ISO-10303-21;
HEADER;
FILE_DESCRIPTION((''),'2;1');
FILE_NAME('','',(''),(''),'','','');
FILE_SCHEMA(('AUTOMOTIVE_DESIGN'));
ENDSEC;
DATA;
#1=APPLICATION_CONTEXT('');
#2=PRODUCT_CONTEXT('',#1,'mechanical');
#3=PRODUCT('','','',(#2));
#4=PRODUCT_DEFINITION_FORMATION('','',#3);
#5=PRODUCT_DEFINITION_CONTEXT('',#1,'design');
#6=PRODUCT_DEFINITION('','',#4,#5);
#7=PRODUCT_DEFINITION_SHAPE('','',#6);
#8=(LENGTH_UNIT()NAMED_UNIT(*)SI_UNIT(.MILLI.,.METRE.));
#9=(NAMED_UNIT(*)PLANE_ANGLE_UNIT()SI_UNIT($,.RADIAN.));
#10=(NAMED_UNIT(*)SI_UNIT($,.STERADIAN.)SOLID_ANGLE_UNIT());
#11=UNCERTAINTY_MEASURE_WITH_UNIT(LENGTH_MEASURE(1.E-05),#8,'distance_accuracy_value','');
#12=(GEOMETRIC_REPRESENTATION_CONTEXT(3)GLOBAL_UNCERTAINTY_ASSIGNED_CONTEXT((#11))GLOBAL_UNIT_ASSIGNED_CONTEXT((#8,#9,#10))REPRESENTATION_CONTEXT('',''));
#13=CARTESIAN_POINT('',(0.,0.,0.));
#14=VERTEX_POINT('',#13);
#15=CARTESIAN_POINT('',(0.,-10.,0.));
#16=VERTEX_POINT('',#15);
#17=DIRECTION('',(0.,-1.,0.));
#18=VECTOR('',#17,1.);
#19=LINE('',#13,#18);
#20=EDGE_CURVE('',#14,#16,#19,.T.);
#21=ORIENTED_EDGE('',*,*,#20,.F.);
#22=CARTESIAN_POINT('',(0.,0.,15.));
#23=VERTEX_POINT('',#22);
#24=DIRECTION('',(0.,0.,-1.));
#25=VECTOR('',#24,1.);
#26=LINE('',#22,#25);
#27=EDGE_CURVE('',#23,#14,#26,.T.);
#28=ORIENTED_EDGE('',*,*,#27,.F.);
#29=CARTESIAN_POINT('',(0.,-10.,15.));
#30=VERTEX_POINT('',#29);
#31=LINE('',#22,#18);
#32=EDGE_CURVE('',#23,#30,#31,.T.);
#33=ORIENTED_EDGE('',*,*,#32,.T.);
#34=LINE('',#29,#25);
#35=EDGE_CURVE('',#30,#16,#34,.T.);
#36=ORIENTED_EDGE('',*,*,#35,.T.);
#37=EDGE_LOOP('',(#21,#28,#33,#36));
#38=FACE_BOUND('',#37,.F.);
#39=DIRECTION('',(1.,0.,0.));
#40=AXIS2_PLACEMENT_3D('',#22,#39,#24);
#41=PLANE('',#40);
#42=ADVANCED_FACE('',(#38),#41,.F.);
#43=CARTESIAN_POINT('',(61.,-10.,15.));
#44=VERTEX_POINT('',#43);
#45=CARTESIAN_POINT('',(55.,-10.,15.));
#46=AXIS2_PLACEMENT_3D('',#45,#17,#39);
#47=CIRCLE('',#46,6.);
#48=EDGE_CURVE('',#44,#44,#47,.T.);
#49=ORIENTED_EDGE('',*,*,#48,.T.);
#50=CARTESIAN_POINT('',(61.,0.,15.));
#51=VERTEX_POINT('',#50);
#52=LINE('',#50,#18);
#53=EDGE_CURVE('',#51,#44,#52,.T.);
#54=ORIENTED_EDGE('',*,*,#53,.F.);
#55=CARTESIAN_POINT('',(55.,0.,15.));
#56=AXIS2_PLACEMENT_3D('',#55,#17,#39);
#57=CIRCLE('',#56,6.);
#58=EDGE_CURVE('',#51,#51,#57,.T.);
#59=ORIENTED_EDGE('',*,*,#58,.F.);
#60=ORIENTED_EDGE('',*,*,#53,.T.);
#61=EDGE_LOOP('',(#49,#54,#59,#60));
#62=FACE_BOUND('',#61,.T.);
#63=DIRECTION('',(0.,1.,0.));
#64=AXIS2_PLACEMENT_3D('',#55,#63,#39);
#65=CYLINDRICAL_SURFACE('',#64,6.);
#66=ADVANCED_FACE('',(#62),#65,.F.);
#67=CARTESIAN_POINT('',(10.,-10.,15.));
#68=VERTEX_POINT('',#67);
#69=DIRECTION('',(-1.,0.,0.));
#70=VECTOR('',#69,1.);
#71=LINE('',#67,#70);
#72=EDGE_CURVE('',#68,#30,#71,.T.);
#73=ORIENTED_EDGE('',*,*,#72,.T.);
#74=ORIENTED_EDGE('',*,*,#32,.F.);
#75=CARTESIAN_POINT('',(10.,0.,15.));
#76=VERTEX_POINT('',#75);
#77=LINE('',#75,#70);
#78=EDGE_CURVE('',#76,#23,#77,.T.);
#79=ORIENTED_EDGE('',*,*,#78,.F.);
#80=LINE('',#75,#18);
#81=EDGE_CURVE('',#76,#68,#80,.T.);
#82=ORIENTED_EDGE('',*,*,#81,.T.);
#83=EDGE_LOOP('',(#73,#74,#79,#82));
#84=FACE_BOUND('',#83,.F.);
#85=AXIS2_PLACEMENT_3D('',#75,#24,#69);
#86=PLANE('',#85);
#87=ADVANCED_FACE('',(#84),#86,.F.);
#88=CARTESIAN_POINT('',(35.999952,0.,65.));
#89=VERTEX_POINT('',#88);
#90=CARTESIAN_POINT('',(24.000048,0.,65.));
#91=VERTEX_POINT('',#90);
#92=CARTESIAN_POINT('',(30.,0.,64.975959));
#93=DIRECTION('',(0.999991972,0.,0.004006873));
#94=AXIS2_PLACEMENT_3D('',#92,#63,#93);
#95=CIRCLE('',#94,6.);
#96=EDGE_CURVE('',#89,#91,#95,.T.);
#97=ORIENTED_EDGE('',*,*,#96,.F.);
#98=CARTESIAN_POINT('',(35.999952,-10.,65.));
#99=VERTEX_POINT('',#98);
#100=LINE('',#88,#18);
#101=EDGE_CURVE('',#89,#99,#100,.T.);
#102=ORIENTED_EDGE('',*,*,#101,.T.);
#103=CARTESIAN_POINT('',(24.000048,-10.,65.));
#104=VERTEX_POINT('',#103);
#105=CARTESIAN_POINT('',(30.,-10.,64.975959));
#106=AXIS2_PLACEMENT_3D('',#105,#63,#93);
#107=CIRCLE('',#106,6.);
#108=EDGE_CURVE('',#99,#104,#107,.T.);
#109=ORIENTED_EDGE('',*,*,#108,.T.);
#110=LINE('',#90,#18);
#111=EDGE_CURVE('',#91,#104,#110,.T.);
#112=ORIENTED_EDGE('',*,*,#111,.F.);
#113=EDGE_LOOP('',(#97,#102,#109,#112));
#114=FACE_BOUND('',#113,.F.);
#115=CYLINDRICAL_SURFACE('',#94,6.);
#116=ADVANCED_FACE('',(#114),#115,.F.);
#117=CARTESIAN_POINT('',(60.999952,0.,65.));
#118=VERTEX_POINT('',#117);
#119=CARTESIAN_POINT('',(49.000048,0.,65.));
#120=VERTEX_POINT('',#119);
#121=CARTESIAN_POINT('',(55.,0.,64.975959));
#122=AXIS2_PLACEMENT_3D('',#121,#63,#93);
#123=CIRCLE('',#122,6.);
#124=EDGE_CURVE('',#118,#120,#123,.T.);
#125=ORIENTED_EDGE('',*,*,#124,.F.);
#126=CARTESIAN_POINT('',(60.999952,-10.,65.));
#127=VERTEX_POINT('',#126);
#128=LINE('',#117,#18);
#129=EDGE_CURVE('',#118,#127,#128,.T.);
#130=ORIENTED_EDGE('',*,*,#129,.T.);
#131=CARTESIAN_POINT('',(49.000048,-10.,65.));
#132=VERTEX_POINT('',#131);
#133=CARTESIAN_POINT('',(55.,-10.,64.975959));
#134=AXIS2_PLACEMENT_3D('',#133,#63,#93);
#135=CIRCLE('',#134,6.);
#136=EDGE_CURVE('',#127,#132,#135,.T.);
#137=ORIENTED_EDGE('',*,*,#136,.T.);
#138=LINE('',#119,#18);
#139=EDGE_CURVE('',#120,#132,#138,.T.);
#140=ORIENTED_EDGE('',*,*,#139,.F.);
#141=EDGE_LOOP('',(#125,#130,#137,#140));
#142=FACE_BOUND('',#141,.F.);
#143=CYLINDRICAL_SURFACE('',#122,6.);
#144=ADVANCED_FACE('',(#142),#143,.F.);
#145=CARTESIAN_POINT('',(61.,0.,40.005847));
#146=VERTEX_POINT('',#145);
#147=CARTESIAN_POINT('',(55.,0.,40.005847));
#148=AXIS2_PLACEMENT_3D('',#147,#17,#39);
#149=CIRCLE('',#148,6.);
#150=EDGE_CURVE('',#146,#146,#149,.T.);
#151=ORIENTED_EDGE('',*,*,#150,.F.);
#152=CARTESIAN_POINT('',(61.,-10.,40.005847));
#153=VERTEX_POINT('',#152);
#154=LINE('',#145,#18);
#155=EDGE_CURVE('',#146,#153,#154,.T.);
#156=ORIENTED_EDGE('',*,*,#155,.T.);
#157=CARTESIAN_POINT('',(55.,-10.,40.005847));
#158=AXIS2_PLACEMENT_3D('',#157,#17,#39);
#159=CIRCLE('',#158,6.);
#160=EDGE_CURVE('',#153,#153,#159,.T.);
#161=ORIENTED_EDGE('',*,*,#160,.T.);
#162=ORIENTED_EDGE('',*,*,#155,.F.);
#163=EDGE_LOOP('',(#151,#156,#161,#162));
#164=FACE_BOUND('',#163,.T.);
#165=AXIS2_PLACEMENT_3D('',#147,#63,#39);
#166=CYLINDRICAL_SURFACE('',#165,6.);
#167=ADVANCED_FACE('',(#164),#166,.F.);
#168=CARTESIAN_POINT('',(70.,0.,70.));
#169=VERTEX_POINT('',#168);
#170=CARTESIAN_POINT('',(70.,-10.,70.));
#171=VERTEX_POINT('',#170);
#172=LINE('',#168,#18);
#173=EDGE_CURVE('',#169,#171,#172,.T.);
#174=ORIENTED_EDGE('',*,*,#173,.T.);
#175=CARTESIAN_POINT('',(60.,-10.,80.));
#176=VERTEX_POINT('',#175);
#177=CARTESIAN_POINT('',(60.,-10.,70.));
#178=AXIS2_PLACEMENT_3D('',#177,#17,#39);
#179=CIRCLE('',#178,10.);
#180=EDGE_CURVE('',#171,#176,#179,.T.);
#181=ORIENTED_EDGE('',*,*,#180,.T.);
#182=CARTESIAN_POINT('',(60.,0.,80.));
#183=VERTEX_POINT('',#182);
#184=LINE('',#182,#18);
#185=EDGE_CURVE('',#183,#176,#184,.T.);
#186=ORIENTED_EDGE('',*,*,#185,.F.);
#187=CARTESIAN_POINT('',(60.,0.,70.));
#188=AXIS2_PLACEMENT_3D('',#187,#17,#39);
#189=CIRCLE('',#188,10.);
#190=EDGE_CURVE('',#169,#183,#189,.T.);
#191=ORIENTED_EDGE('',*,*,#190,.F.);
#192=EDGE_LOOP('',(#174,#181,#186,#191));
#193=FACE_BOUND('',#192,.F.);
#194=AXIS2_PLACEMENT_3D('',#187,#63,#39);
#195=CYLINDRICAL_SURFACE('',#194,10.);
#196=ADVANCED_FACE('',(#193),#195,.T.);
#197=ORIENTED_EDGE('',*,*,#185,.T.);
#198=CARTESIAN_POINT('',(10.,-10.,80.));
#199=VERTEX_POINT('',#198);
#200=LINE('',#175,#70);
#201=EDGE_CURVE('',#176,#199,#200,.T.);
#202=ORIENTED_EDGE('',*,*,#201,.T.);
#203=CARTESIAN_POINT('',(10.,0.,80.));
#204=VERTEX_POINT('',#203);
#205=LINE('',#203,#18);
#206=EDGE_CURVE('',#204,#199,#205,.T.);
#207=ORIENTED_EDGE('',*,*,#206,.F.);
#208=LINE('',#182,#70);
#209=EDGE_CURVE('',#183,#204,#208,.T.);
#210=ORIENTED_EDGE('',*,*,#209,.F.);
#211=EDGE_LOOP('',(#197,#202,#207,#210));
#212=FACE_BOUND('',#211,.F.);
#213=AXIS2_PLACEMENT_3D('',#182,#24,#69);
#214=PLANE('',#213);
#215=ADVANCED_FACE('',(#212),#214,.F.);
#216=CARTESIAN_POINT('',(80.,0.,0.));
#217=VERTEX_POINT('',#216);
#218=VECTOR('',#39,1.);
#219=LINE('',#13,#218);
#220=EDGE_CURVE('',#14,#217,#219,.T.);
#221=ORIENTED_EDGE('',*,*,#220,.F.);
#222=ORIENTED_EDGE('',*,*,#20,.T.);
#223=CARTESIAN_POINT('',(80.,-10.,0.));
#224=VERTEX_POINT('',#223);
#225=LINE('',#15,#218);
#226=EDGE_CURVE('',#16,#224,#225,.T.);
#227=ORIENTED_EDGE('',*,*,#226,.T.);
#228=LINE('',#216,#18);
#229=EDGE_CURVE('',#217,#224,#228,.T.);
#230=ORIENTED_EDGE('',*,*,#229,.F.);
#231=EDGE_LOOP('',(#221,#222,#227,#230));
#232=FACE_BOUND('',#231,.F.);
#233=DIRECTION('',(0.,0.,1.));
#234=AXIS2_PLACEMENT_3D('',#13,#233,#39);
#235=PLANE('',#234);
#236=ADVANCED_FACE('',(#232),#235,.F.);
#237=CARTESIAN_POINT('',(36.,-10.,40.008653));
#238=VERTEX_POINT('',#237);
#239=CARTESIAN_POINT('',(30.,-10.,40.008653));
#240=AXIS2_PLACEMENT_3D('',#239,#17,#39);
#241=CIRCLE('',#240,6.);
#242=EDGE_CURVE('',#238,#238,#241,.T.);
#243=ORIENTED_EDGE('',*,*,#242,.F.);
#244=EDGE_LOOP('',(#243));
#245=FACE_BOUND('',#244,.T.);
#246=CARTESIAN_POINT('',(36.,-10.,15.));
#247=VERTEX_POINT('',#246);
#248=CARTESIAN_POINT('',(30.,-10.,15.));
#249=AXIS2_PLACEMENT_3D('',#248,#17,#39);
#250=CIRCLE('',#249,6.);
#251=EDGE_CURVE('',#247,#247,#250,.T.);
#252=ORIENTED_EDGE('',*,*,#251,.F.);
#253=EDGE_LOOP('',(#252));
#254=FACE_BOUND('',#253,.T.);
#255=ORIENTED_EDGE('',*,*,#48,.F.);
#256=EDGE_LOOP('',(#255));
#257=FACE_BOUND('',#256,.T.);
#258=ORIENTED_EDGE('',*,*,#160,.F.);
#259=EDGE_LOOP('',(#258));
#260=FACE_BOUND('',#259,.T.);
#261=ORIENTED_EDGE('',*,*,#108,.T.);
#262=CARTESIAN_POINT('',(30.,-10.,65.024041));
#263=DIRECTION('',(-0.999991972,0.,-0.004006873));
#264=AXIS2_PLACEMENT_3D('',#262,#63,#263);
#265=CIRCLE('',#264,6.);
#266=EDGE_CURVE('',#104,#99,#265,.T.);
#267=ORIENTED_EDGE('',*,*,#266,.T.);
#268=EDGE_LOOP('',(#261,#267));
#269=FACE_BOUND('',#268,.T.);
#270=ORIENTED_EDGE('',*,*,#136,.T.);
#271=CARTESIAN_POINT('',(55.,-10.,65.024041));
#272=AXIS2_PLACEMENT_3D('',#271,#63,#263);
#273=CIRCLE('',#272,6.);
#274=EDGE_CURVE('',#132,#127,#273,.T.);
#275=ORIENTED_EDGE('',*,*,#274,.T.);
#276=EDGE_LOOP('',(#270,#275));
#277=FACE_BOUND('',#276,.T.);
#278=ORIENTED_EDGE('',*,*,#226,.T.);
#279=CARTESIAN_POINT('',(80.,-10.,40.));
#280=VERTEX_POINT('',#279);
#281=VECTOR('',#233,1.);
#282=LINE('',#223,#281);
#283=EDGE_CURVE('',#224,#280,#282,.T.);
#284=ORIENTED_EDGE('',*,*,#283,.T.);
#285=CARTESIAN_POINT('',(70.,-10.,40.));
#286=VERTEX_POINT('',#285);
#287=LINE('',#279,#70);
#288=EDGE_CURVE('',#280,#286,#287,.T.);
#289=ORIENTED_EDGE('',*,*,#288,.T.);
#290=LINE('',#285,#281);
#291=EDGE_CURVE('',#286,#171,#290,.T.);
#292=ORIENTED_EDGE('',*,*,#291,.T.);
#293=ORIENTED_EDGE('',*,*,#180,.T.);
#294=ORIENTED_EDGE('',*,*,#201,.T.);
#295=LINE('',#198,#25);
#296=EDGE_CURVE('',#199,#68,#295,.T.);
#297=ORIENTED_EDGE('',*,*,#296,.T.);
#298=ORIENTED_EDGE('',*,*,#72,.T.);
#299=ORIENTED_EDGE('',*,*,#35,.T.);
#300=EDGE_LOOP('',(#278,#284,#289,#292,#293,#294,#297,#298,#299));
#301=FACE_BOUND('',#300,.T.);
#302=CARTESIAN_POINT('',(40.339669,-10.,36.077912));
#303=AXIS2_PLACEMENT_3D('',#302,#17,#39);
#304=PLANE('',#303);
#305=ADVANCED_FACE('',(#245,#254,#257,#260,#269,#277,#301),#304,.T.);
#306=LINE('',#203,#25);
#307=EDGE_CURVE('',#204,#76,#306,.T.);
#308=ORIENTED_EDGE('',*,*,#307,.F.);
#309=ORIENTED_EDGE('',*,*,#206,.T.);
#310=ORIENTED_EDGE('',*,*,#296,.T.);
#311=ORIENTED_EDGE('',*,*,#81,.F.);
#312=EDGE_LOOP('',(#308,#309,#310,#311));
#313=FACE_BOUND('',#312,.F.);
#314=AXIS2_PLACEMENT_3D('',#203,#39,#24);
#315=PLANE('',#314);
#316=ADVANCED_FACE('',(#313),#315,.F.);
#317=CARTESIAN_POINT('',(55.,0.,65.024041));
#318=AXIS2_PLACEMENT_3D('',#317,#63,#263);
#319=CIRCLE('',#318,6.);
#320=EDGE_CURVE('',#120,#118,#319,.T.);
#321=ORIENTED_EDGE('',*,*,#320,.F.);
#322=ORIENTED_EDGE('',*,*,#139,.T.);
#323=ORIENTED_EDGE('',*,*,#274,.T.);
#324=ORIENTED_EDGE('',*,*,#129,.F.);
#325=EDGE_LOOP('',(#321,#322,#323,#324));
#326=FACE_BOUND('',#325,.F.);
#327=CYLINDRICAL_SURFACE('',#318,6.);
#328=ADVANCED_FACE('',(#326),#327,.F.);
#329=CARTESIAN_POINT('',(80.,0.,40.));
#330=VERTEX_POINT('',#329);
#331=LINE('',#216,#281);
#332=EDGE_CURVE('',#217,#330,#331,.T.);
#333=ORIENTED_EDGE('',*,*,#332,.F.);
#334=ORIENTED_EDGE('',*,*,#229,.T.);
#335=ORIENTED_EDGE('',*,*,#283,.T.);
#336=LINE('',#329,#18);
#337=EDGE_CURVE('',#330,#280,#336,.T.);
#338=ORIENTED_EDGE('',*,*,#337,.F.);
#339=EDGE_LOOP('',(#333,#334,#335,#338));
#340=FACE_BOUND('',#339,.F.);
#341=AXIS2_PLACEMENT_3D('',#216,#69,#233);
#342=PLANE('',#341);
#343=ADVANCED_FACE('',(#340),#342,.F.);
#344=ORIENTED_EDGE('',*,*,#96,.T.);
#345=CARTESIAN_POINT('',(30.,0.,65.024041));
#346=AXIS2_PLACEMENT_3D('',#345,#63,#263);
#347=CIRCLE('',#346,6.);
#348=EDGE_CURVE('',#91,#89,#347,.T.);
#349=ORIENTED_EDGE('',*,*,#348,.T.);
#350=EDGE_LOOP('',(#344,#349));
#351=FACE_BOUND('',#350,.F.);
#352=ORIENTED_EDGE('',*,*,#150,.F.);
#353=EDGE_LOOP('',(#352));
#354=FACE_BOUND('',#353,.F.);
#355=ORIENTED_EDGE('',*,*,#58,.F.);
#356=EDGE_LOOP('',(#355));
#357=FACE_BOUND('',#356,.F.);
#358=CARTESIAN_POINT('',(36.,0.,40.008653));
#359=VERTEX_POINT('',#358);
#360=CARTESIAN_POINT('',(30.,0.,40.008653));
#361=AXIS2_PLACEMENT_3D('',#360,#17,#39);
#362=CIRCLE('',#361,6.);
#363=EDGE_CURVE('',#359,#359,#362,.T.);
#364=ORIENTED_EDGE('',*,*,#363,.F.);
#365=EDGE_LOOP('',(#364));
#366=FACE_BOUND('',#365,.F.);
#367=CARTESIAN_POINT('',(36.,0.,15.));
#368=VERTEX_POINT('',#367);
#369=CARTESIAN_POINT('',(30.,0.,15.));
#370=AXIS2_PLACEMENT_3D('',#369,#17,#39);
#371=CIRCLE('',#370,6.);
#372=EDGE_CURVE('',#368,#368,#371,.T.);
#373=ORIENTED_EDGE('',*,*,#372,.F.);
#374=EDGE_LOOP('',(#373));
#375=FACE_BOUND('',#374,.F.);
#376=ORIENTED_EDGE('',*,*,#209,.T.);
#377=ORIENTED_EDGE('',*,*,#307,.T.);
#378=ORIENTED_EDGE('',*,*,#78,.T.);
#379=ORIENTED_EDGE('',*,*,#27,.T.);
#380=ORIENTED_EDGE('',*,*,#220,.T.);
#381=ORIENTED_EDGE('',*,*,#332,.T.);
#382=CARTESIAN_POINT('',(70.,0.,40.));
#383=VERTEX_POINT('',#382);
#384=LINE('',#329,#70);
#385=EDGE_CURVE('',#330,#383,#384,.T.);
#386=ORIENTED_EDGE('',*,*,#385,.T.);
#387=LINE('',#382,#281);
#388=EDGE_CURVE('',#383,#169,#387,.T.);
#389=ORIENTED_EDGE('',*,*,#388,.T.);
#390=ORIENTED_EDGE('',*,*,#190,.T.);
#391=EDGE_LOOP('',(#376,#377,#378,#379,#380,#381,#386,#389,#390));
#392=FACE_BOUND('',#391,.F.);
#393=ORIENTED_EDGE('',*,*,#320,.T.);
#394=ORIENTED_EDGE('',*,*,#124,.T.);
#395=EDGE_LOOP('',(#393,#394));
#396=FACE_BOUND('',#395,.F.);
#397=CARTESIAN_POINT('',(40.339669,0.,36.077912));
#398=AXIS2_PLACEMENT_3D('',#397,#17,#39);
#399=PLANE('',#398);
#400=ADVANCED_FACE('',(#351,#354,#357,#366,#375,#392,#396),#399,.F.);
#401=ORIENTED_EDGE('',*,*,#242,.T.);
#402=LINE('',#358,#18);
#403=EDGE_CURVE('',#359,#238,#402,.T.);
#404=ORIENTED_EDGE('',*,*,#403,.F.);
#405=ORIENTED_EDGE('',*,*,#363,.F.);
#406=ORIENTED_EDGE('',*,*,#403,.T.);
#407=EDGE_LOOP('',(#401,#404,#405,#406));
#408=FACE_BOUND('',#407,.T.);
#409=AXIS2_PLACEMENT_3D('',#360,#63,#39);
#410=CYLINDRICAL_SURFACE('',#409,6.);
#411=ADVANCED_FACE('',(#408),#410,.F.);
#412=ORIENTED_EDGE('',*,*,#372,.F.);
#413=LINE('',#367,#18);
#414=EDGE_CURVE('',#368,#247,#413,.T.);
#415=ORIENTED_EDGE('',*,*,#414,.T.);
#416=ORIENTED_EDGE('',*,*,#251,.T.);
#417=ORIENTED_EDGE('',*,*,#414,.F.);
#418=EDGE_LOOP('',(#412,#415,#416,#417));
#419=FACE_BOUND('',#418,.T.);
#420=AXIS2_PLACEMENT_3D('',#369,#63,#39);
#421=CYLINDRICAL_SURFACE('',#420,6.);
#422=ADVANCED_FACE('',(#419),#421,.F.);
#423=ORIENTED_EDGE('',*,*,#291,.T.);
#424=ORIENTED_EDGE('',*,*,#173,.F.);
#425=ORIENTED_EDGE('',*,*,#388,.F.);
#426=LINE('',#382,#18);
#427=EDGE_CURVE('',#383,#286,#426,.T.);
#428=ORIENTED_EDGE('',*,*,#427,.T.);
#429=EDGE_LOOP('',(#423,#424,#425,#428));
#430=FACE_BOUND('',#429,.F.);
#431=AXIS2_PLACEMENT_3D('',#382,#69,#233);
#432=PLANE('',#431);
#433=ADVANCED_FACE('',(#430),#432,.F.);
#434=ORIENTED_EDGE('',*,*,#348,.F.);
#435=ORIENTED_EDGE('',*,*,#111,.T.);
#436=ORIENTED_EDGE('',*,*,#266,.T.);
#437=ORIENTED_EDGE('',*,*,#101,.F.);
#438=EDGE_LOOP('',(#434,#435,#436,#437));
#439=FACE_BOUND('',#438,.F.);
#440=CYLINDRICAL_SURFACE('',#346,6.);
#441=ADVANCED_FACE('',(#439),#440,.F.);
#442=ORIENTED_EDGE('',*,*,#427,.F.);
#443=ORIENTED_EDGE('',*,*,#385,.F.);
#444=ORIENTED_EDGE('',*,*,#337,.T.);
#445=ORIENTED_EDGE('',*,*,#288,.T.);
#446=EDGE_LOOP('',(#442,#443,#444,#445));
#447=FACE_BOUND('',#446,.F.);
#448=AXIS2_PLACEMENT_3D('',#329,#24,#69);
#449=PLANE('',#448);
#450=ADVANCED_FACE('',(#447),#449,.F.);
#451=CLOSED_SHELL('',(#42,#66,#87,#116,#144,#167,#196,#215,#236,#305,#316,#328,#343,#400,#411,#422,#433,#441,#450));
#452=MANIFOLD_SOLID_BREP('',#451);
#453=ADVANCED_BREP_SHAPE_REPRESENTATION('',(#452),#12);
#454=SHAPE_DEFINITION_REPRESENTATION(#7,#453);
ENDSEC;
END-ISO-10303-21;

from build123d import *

# Parameters (mm, degrees)
F0_R     = 6
F1_DEPTH = 10


with BuildPart() as f1:
    # F0 (on Front) → F1 (new body)
    with BuildSketch(Plane.XZ):
        with BuildLine():
            Line((10, 15), (0, 15))
            Line((0, 15), (0, 0))
            Line((0, 0), (80, 0))
            Line((80, 0), (80, 40))
            Line((80, 40), (70, 40))
            Line((70, 40), (70, 70))
            ThreePointArc((70, 70), (67.0710678119, 77.0710678119), (60, 80))
            Line((60, 80), (10, 80))
            Line((10, 80), (10, 15))
        make_face()
        with Locations((30, 15)):
            Circle(F0_R, mode=Mode.SUBTRACT)
        with Locations((55, 15)):
            Circle(F0_R, mode=Mode.SUBTRACT)
        with Locations((30, 40.0086533673)):
            Circle(F0_R, mode=Mode.SUBTRACT)
        with Locations((30, 64.9759587646)):
            Circle(F0_R, mode=Mode.SUBTRACT)
        with Locations((30, 65.0240412354)):
            Circle(F0_R, mode=Mode.SUBTRACT)
        with Locations((55, 40.0058473252)):
            Circle(F0_R, mode=Mode.SUBTRACT)
        with Locations((55, 64.9759587646)):
            Circle(F0_R, mode=Mode.SUBTRACT)
        with Locations((55, 65.0240412354)):
            Circle(F0_R, mode=Mode.SUBTRACT)
    extrude(amount=F1_DEPTH)


solid = f1.part
